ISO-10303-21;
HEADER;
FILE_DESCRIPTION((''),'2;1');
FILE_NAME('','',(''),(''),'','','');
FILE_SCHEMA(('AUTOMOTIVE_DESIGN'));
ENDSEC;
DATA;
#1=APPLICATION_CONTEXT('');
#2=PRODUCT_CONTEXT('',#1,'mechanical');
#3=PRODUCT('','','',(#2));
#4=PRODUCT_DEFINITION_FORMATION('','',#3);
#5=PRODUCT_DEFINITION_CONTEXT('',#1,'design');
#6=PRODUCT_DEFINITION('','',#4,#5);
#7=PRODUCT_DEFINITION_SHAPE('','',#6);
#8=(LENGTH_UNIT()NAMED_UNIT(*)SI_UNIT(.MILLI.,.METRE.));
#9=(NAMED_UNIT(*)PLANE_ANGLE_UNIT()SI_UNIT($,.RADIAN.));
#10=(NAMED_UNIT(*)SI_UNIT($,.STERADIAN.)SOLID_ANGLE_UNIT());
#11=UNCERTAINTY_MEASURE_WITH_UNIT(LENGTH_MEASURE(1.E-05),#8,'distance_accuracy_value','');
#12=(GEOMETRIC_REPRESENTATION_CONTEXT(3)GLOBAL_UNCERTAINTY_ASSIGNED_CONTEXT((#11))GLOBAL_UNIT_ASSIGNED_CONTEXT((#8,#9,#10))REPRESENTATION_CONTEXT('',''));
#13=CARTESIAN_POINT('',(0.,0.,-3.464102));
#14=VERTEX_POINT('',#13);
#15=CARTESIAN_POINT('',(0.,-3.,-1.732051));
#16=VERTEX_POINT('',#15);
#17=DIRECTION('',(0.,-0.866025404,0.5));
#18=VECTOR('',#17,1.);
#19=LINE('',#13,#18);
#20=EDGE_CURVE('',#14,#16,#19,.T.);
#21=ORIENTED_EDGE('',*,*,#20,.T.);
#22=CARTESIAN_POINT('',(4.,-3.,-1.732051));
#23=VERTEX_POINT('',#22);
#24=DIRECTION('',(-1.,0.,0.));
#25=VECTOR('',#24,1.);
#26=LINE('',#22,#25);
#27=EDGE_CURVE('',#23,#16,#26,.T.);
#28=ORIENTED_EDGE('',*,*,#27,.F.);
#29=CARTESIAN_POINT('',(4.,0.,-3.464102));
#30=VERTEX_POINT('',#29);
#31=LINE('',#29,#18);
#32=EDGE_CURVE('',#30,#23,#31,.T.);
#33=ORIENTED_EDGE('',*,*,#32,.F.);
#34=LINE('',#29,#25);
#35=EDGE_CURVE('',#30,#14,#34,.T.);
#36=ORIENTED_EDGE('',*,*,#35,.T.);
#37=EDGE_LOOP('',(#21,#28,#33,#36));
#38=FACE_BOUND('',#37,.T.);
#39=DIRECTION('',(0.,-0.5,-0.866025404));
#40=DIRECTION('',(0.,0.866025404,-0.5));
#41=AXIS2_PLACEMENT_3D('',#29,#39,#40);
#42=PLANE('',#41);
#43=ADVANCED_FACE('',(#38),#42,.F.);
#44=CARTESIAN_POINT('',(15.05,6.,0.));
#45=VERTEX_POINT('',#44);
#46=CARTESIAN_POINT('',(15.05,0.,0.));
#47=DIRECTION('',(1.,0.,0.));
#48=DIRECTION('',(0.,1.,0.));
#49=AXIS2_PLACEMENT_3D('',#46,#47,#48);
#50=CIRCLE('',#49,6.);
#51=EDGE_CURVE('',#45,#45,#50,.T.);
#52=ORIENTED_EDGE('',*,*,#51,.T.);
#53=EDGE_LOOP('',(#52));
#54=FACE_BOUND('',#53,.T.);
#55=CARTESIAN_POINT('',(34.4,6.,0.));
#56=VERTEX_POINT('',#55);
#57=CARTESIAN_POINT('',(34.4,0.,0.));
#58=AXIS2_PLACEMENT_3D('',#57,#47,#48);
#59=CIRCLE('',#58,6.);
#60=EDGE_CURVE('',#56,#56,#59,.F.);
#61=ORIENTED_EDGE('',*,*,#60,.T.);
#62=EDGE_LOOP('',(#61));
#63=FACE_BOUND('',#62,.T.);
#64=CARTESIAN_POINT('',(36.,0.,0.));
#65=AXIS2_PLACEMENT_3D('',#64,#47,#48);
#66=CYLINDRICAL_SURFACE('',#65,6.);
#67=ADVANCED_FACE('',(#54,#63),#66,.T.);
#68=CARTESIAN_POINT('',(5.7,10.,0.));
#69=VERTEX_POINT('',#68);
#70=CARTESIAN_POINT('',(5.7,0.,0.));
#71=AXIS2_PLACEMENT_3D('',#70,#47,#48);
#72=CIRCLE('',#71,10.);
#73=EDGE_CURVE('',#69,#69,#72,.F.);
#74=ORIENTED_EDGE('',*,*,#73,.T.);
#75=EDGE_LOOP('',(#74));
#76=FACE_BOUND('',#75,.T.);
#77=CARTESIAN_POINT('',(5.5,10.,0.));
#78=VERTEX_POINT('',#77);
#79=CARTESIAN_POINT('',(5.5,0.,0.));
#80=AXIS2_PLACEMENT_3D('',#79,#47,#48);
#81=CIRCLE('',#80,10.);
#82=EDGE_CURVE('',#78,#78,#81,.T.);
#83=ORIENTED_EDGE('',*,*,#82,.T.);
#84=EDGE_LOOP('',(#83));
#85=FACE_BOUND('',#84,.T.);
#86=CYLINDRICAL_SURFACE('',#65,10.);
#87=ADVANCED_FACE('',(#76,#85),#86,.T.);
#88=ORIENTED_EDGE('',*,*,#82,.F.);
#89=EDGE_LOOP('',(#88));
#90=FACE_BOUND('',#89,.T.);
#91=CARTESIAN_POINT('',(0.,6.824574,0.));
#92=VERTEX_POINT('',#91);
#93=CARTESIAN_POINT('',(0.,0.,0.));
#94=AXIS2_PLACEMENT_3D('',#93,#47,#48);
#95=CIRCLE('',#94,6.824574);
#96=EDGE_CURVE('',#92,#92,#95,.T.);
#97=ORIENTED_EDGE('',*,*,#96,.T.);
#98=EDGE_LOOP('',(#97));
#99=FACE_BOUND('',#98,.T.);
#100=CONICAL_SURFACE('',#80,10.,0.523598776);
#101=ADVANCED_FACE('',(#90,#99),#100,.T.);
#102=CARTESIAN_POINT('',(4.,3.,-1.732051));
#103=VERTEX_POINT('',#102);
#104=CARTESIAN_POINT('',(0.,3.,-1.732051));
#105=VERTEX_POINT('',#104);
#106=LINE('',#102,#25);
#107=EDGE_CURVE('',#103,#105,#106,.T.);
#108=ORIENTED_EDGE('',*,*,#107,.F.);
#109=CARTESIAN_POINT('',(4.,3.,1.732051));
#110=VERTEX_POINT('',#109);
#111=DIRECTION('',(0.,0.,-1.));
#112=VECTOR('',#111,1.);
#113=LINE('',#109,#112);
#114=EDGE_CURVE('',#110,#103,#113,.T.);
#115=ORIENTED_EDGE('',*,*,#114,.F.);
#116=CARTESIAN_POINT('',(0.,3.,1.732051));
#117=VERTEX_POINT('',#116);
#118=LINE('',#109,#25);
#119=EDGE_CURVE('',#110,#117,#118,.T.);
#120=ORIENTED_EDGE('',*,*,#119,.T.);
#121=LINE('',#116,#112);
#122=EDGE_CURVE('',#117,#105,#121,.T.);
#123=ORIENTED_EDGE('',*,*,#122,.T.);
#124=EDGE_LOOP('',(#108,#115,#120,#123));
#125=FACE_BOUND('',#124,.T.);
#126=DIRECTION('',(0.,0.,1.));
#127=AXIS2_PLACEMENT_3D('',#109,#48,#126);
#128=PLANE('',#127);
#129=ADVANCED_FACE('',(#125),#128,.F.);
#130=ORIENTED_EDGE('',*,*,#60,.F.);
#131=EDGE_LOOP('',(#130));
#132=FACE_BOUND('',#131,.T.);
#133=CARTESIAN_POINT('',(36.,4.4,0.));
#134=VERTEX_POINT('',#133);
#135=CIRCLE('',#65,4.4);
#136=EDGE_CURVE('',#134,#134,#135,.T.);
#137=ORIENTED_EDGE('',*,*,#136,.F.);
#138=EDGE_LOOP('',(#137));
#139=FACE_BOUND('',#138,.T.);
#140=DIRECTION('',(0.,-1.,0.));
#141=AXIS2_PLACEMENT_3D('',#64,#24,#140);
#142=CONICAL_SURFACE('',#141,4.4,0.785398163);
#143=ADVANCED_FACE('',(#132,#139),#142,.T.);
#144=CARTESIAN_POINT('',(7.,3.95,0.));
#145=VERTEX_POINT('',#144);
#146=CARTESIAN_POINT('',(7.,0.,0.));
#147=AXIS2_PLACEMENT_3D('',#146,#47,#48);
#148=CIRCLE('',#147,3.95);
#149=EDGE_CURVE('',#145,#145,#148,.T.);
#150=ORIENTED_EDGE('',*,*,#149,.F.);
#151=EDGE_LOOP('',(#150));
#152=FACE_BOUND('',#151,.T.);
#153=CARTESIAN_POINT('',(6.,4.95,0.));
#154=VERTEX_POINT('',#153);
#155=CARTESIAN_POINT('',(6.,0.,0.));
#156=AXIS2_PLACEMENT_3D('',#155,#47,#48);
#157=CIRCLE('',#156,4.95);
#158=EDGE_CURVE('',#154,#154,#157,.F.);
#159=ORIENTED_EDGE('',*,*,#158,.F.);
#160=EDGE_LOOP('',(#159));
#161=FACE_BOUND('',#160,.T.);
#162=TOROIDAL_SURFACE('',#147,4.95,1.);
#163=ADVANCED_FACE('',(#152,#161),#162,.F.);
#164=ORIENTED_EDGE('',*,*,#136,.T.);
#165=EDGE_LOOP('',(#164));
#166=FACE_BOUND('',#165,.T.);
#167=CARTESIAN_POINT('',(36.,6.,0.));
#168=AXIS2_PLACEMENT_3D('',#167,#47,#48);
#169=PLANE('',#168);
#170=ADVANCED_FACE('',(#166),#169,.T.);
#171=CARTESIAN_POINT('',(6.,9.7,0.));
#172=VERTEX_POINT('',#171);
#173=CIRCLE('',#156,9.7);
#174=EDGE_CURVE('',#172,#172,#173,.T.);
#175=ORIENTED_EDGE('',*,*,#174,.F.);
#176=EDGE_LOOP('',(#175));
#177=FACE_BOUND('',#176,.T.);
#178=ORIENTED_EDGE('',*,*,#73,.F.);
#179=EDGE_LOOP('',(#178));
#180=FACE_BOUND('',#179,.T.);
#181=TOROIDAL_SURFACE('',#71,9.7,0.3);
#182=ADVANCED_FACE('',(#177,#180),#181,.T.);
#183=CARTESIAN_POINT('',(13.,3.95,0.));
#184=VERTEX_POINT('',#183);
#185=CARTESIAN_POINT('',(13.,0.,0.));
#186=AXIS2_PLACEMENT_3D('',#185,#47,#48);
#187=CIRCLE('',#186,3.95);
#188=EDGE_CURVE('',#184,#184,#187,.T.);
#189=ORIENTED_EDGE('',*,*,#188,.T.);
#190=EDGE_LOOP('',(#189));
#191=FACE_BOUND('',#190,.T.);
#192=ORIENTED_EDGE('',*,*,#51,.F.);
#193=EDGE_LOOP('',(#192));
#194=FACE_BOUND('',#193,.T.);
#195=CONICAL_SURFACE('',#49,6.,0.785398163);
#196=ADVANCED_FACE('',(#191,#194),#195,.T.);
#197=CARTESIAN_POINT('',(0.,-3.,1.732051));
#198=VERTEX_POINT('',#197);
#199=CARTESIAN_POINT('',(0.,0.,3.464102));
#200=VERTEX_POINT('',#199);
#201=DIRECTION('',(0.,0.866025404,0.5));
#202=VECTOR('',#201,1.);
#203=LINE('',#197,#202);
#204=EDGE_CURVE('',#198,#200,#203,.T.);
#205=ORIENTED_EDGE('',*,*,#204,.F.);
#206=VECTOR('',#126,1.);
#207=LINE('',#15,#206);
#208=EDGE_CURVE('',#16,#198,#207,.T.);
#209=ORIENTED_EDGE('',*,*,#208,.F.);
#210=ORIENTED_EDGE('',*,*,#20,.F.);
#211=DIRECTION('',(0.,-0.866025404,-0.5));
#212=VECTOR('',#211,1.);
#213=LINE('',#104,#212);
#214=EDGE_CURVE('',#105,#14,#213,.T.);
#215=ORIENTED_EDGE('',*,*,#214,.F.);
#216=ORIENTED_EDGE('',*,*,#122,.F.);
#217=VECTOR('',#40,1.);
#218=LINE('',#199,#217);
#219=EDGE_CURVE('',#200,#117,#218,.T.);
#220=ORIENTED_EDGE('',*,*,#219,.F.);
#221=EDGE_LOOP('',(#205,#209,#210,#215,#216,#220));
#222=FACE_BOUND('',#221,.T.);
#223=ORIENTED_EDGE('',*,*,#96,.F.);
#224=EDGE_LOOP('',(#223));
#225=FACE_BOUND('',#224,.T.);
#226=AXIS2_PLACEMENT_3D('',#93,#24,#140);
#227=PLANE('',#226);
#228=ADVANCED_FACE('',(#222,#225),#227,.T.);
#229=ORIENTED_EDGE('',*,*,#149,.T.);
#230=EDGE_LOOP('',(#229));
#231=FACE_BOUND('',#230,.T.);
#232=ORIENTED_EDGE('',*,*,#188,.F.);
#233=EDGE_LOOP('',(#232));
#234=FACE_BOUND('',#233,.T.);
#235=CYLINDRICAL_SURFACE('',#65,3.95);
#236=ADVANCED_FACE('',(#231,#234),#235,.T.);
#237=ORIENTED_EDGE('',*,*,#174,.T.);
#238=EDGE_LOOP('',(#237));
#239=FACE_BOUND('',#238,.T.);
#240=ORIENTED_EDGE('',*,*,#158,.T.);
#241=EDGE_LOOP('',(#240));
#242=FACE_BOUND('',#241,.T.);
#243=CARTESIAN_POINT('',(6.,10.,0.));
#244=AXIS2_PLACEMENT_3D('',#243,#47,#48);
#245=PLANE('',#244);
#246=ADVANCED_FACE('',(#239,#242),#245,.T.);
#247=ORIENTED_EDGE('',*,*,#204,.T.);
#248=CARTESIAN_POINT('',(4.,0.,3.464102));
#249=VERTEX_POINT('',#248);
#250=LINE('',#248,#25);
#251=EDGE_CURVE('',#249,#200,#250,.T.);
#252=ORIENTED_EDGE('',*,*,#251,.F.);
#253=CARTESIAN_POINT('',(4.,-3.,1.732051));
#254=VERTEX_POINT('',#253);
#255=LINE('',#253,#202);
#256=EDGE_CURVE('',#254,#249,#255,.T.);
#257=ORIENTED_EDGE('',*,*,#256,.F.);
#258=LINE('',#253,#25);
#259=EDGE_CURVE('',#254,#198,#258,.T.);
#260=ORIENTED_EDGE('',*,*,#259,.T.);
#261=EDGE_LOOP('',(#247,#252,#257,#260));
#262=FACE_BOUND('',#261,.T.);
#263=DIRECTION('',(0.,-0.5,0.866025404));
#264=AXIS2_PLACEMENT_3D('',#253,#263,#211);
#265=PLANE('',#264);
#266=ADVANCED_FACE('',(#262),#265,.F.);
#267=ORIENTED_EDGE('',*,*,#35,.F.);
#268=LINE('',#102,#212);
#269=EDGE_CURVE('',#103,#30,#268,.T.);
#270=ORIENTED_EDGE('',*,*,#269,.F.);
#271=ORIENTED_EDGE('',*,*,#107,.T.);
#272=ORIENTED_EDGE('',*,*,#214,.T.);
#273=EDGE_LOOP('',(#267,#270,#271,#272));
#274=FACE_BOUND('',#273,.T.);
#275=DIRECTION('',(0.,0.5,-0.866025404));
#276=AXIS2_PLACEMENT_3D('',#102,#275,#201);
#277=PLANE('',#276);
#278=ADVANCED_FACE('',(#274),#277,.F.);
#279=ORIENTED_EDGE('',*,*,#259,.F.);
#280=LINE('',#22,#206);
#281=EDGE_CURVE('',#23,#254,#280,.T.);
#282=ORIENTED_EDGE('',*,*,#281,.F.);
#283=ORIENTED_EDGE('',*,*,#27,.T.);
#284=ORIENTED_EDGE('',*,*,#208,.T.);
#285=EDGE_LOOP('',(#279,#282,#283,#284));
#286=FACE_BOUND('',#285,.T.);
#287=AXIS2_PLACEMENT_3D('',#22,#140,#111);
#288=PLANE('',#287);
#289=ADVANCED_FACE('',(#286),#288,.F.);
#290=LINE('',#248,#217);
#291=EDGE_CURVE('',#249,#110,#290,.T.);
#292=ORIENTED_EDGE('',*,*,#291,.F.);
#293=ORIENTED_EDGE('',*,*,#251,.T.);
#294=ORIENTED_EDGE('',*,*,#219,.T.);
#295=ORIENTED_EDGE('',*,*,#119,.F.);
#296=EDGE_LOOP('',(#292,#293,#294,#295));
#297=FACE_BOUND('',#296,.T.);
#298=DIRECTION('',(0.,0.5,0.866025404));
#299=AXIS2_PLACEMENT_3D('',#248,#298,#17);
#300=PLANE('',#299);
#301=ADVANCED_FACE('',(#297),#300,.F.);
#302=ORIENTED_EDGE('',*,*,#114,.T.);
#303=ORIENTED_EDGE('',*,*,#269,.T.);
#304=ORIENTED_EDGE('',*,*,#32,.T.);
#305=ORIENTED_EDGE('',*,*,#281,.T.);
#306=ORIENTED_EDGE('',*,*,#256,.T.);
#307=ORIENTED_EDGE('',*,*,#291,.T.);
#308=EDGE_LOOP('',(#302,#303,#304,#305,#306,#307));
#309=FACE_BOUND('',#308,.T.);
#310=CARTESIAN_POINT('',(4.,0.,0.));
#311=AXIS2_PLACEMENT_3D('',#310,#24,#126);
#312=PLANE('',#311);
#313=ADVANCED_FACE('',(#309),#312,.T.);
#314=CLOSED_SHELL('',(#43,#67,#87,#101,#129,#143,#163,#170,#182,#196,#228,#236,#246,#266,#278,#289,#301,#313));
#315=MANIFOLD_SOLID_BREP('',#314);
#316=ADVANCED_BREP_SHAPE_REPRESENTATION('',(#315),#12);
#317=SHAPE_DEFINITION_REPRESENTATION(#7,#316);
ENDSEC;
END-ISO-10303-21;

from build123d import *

# Parameters (mm, degrees)
CUT_EXTRUDE_1_DEPTH = 4
FILLET_1_R          = 0.3
CHAMFER_1_SIZE      = 1.6
FILLET_2_R          = 1


with BuildPart() as part:
    # Эскиз1 → Повернуть1 (revolve)
    with BuildSketch(Plane.XY):
        Polygon((0, 0), (0, 6.824573519), (5.5, 10), (6, 10), (6, 3.95), (13, 3.95), (15.05, 6), (36, 6), (36, 0), align=None)
    revolve(axis=Axis((36, 0, 0), (-1, 0, 0)))

    # Эскиз2 → Вырез-Вытянуть1 (cut)
    with BuildSketch(Plane.ZY):
        Polygon((1.732050808, 3), (-1.732050808, 3), (-3.464101615, 0), (-1.732050808, -3), (1.732050808, -3), (3.464101615, 0), align=None)
    extrude(amount=-CUT_EXTRUDE_1_DEPTH, mode=Mode.SUBTRACT)

    # Скругление1
    fillet_1_edges = [part.edges().sort_by_distance(p)[0] for p in [
        (6, -10, 0),
    ]]
    fillet(fillet_1_edges, radius=FILLET_1_R)

    # Фаска1
    chamfer_1_edges = [part.edges().sort_by_distance(p)[0] for p in [
        (36, -6, 0),
    ]]
    chamfer(chamfer_1_edges, length=CHAMFER_1_SIZE)

    # Скругление2
    fillet_2_edges = [part.edges().sort_by_distance(p)[0] for p in [
        (6, -3.95, 0),
    ]]
    fillet(fillet_2_edges, radius=FILLET_2_R)


solid = part.part
